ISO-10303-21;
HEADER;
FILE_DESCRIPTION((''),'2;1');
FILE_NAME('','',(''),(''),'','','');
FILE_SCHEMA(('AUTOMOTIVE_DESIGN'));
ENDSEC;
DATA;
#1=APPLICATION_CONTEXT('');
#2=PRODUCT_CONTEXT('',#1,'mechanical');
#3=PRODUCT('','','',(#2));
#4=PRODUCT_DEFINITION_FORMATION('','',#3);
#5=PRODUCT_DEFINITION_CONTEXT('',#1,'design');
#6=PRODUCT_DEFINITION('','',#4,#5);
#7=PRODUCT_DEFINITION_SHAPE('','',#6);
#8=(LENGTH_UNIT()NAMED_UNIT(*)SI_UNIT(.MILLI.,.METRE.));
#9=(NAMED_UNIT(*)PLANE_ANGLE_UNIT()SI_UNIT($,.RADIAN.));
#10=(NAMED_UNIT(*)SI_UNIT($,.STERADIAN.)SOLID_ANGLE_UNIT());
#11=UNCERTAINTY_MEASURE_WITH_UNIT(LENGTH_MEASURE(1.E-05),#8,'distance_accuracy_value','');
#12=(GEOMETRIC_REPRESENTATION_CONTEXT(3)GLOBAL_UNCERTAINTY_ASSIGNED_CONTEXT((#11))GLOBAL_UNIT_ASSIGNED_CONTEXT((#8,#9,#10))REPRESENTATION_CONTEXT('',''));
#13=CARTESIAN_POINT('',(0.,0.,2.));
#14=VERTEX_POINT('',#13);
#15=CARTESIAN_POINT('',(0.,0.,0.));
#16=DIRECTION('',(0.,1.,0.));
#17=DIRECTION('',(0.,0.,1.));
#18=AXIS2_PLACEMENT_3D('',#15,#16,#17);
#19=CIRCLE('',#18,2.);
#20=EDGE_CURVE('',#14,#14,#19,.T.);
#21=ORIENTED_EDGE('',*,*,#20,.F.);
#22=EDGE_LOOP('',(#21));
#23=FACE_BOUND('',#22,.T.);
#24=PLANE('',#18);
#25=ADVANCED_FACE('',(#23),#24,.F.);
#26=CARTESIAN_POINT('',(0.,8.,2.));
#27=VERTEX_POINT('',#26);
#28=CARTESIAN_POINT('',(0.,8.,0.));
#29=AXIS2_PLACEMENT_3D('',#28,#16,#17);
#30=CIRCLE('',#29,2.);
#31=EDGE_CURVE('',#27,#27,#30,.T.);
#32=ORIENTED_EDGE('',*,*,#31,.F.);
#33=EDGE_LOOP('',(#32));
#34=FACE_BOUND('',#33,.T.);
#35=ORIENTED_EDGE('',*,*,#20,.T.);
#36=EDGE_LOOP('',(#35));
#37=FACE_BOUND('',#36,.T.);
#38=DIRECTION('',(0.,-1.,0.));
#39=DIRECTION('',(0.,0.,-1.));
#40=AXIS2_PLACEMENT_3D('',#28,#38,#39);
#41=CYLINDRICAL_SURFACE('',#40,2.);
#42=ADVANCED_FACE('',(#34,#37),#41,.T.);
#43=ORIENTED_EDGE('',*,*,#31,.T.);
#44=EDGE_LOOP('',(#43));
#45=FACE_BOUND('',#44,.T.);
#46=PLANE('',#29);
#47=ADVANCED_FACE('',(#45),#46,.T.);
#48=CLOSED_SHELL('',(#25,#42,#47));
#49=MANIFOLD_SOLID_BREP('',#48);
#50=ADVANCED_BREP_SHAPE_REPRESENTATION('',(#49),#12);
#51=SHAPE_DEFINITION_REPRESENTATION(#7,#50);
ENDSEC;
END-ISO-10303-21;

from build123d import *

# Parameters (mm, degrees)
CROQUIS1_R              = 2
SALIENTE_EXTRUIR1_DEPTH = 8


with BuildPart() as part:
    # Croquis1 → Saliente-Extruir1 (new body)
    with BuildSketch(Plane(origin=(0, 0, 0), x_dir=(1, 0, 0), z_dir=(0, 1, 0))):
        Circle(CROQUIS1_R)
    extrude(amount=SALIENTE_EXTRUIR1_DEPTH)


solid = part.part
